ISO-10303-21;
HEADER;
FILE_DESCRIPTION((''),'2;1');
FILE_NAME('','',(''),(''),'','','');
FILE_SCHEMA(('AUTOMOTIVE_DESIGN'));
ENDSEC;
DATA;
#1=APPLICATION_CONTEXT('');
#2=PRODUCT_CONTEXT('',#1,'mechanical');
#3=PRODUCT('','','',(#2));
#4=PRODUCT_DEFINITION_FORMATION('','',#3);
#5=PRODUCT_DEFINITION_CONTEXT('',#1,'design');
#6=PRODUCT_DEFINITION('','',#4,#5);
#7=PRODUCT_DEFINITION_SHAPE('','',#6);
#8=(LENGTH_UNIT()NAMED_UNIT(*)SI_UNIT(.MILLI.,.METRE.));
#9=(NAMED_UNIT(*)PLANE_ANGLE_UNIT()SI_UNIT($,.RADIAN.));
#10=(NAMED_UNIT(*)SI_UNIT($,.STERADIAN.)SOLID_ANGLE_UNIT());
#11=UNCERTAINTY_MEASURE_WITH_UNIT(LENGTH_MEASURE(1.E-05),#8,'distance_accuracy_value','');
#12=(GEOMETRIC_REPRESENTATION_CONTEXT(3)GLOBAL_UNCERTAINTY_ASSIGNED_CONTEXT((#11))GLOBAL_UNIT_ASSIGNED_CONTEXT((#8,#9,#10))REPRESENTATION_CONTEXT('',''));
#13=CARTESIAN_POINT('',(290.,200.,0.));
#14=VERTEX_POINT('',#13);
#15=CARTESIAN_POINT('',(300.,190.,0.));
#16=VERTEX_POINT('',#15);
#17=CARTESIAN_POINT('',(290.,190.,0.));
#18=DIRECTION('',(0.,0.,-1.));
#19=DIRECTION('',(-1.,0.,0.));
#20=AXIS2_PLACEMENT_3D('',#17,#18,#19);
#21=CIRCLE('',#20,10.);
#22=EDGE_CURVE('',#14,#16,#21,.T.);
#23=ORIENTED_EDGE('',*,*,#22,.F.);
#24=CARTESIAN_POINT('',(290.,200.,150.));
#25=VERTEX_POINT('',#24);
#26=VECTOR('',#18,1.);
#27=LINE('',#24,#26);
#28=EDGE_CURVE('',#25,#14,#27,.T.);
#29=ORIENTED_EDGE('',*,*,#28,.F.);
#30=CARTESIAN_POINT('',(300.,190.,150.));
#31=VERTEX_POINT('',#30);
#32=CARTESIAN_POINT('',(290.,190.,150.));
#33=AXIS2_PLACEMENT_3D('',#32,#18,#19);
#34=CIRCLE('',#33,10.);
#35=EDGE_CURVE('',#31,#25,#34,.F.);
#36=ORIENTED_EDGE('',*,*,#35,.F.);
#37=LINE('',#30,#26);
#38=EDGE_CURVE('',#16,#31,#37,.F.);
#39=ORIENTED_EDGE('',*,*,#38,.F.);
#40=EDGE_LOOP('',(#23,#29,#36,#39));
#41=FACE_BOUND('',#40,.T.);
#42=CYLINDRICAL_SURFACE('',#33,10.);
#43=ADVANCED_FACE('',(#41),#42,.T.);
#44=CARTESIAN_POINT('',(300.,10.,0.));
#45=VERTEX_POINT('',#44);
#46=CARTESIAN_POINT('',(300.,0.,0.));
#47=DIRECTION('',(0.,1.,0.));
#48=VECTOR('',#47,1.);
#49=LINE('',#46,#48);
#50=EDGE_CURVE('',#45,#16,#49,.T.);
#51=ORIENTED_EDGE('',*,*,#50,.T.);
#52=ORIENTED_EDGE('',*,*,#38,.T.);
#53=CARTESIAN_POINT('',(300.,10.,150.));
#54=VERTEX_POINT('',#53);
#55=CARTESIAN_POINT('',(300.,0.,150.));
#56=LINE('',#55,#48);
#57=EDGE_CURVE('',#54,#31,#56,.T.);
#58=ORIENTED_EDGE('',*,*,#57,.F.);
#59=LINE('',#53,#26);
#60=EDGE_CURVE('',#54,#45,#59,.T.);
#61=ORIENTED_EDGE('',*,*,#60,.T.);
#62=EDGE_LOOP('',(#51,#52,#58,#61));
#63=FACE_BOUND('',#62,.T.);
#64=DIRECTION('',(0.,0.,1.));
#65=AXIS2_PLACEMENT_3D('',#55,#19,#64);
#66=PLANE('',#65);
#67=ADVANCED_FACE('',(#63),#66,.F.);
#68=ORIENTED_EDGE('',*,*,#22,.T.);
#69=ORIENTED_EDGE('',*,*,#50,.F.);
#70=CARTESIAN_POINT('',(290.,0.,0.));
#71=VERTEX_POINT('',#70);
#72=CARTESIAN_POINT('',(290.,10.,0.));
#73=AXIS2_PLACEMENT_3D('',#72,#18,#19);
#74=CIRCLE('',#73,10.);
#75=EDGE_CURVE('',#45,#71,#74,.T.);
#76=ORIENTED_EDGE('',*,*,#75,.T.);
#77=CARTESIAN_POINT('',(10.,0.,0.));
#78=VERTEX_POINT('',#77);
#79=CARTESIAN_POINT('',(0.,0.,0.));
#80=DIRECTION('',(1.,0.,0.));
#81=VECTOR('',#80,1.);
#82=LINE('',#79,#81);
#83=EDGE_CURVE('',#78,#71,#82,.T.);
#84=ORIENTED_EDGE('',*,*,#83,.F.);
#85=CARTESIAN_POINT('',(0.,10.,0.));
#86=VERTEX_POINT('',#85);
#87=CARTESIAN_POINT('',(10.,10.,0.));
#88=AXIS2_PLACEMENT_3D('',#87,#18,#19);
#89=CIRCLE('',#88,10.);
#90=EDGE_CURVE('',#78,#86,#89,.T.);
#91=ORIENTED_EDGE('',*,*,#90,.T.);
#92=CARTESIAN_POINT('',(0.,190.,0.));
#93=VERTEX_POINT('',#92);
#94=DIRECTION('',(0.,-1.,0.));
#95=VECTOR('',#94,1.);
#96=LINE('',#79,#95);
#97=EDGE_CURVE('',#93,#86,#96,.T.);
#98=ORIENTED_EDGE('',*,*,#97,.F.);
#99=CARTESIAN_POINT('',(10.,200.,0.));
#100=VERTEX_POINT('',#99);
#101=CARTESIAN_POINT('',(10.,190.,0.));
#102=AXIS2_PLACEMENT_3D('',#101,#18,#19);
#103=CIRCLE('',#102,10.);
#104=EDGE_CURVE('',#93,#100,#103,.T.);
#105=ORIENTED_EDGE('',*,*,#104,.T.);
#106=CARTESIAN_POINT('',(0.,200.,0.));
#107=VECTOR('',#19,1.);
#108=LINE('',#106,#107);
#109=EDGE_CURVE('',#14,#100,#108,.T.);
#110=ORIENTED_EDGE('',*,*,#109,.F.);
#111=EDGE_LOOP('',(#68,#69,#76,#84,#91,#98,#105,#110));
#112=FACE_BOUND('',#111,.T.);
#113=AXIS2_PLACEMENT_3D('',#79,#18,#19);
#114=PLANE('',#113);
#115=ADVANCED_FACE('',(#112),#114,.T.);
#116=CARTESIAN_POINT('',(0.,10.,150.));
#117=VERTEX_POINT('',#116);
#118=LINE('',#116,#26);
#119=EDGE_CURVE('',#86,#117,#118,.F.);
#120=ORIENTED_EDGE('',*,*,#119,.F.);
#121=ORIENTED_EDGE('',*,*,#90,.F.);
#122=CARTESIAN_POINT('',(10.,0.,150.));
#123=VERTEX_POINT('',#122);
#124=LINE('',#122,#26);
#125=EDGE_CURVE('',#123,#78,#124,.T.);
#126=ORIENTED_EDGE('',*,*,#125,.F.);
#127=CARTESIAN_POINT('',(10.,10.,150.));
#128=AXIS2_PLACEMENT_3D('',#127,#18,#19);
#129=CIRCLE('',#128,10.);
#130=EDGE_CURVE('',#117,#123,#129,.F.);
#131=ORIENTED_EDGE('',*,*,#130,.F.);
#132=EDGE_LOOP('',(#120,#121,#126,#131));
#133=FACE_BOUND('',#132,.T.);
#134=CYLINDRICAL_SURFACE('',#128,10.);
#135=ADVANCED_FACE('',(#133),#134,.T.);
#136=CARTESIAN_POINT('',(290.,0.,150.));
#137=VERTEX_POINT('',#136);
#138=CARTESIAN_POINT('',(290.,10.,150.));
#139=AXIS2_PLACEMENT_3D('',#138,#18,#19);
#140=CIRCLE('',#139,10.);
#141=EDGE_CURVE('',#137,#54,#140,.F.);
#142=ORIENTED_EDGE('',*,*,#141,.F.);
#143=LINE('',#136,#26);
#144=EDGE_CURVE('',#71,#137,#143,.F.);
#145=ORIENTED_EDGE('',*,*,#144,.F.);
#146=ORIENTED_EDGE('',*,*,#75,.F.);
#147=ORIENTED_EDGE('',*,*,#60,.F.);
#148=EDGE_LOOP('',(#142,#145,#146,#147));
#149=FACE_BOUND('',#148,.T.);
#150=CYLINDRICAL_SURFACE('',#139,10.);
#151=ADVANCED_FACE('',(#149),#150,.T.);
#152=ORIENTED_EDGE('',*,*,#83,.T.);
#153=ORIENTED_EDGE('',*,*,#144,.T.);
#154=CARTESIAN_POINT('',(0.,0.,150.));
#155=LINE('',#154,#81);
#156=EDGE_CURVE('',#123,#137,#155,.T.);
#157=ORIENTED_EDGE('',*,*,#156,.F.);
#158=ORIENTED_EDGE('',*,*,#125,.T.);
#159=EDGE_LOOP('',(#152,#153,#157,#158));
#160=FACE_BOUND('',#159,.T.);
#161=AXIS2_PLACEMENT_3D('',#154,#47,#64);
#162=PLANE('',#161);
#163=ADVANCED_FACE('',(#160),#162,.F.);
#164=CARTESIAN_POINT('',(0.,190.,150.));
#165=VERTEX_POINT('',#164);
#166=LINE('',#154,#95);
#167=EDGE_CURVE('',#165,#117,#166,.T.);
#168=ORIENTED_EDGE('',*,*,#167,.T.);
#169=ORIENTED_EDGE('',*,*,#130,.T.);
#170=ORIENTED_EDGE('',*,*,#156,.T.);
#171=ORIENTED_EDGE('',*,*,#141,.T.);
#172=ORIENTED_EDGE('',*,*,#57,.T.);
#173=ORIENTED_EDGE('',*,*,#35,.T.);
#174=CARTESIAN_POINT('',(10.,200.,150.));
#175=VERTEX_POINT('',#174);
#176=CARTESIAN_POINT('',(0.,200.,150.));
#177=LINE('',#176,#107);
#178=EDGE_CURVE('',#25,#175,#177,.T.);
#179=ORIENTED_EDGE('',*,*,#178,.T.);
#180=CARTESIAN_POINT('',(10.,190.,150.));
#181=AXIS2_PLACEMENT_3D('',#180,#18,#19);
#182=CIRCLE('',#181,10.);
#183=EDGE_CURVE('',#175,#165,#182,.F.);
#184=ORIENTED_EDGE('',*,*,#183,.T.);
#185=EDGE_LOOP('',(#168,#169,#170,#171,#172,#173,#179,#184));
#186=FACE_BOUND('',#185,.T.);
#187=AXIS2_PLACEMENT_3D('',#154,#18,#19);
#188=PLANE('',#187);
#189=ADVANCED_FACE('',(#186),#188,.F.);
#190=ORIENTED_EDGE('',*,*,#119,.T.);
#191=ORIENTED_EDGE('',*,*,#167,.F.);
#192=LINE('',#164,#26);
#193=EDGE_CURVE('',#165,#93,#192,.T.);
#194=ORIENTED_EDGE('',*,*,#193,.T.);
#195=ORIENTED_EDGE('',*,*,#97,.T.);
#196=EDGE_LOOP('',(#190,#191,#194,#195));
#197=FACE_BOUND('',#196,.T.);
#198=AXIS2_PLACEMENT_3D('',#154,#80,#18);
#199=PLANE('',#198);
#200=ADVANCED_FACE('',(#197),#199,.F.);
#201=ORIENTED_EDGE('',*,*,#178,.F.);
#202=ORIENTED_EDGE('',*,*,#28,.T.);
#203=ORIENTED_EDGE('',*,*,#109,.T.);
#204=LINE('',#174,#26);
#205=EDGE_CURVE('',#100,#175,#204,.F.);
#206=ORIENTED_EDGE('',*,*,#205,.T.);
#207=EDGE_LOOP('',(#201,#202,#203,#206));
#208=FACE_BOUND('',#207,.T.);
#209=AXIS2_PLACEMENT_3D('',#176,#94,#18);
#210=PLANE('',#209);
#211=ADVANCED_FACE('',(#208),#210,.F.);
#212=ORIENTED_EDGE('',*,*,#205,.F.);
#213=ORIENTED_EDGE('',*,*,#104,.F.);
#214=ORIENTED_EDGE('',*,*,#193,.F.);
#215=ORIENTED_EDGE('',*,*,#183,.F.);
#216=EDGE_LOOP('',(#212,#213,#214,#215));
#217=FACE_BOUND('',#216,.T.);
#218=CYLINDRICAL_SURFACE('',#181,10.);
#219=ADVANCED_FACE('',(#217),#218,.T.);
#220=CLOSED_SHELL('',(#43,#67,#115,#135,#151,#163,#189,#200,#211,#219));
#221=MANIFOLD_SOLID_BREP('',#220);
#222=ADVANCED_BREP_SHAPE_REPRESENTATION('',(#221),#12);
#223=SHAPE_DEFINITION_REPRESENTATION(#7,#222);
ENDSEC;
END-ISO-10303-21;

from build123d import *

# Parameters (mm, degrees)
SKETCH2_W           = 300
SKETCH2_H           = 200
BOSS_EXTRUDE1_DEPTH = 150
FILLET1_R           = 10


with BuildPart() as part:
    # Sketch2 → Boss-Extrude1 (new body)
    with BuildSketch(Plane.XY):
        with Locations((150, 100)):
            Rectangle(SKETCH2_W, SKETCH2_H)
    extrude(amount=BOSS_EXTRUDE1_DEPTH)

    # Fillet1
    fillet1_edges = [part.edges().sort_by_distance(p)[0] for p in [
        (0, 200, 75),
        (300, 200, 75),
        (300, 0, 75),
        (0, 0, 75),
    ]]
    fillet(fillet1_edges, radius=FILLET1_R)


solid = part.part
